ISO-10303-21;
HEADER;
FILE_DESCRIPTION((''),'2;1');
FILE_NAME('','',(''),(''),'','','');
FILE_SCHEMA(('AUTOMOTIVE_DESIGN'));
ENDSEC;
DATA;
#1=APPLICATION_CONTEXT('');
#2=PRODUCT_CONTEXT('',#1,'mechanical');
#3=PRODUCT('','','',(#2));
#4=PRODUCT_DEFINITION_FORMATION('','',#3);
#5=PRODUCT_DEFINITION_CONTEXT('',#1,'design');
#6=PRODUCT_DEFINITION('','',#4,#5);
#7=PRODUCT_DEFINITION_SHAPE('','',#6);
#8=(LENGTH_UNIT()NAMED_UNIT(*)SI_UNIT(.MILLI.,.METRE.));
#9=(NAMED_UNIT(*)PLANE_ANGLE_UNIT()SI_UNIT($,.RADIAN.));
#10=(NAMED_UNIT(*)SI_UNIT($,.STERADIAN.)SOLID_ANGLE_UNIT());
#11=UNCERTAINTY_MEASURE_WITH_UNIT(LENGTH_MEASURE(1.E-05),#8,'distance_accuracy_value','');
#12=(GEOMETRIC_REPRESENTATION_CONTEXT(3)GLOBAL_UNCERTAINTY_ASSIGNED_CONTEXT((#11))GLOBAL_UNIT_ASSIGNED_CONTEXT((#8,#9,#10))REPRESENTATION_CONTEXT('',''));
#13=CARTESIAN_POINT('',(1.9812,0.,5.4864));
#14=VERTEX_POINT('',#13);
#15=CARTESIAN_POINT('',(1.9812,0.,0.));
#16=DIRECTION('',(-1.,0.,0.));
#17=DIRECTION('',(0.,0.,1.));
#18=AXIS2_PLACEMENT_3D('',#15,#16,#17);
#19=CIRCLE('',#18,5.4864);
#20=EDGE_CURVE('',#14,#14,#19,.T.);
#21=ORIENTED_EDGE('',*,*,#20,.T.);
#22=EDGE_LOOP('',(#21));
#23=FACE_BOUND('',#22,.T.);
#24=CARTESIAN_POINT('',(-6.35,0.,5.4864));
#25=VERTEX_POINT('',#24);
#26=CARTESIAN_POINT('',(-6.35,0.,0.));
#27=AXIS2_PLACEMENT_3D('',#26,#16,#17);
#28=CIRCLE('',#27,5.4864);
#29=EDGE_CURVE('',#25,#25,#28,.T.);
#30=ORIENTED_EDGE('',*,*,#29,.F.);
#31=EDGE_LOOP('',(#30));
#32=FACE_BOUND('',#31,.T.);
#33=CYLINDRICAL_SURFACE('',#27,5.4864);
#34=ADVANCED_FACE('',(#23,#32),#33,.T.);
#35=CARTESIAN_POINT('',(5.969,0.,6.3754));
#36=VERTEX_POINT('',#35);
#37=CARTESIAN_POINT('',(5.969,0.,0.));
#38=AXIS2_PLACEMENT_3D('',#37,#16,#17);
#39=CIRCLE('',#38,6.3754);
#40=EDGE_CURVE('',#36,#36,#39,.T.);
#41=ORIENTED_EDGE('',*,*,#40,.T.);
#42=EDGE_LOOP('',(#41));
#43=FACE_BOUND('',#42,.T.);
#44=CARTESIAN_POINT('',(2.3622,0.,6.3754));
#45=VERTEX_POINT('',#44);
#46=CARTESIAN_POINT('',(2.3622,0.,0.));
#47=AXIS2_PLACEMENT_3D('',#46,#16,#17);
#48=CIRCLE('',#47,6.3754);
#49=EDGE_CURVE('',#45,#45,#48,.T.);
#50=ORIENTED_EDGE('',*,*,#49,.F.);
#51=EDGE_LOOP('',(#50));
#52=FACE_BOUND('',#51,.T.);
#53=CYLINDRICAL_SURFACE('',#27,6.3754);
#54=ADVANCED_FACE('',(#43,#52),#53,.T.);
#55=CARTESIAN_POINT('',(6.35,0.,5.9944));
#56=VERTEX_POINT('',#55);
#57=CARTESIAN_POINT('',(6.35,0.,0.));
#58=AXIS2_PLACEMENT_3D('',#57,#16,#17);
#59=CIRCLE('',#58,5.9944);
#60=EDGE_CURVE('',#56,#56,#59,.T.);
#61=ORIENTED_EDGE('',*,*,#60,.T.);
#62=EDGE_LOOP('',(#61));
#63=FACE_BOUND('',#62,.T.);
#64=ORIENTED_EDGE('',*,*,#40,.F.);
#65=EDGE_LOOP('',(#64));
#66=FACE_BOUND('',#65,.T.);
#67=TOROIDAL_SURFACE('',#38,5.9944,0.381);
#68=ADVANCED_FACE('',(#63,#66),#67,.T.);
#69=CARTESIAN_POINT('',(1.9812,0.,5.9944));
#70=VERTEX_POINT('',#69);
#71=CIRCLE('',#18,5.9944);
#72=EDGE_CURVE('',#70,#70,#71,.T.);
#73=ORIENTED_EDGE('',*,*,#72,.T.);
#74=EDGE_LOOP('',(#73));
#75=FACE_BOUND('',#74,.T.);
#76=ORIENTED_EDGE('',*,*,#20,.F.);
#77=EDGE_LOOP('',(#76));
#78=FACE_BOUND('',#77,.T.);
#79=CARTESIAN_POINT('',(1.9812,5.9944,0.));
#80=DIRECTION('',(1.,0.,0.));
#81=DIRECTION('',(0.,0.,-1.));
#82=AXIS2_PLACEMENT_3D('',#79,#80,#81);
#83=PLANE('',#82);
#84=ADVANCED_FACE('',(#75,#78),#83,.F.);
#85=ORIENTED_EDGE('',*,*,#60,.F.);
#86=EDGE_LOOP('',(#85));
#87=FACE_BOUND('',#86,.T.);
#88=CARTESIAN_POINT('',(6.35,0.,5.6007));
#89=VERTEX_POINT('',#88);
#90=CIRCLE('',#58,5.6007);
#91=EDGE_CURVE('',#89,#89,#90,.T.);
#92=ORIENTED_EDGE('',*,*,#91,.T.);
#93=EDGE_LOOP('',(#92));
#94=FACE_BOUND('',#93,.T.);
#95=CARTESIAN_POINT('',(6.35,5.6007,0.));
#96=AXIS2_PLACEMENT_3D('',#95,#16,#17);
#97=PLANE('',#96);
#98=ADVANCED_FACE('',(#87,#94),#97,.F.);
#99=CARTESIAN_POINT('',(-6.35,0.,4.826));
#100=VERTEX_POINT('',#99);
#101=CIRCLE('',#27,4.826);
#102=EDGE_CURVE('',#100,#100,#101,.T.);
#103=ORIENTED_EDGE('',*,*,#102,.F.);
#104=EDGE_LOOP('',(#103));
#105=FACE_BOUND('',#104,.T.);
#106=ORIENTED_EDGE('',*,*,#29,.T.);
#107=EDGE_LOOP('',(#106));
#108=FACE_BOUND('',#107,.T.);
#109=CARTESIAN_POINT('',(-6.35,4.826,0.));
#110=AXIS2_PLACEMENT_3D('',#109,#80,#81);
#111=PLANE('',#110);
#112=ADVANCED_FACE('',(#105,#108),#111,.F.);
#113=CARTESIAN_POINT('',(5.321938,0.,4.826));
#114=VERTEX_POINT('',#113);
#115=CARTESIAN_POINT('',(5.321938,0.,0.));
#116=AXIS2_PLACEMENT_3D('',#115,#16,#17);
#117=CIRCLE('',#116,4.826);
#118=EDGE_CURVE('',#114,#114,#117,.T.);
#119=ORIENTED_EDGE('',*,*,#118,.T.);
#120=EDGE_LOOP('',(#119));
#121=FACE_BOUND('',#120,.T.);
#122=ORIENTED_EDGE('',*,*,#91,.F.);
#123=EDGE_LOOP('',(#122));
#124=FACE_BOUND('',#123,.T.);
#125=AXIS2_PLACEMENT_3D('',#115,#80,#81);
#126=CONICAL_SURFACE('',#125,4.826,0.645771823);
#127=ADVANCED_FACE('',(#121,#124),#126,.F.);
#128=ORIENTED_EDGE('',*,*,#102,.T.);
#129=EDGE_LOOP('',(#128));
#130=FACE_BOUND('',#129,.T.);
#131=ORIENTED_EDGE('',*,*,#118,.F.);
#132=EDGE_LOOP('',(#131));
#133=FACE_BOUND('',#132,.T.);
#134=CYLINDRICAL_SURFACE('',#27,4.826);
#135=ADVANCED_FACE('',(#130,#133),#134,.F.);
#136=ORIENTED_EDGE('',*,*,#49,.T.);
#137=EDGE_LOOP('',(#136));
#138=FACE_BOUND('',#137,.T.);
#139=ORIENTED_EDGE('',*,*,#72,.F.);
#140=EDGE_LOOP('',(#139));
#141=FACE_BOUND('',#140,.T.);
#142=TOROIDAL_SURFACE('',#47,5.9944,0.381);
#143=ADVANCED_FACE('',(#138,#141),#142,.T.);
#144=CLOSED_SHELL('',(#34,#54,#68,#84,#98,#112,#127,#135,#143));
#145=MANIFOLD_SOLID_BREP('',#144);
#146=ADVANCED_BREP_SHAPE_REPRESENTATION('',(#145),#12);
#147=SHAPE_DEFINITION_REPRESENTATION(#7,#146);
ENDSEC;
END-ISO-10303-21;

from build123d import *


with BuildPart() as part:
    # Sketch1 → Revolve1 (revolve)
    with BuildSketch(Plane.XY, mode=Mode.PRIVATE) as revolve1_sk:
        with BuildLine():
            Line((-6.35, 4.826), (5.321938377, 4.826))
            Line((5.321938377, 4.826), (6.35, 5.6007))
            Line((6.35, 5.6007), (6.35, 5.9944))
            ThreePointArc((6.35, 5.9944), (6.238407684, 6.263807684), (5.969, 6.3754))
            Line((5.969, 6.3754), (2.3622, 6.3754))
            ThreePointArc((2.3622, 6.3754), (2.092792316, 6.263807684), (1.9812, 5.9944))
            Line((1.9812, 5.9944), (1.9812, 5.4864))
            Line((1.9812, 5.4864), (-6.35, 5.4864))
            Line((-6.35, 5.4864), (-6.35, 4.826))
        make_face()
    revolve(revolve1_sk.sketch.rotate(Axis((-6.35, 0, 0), (1, 0, 0)), 90), axis=Axis((-6.35, 0, 0), (1, 0, 0)))


solid = part.part
